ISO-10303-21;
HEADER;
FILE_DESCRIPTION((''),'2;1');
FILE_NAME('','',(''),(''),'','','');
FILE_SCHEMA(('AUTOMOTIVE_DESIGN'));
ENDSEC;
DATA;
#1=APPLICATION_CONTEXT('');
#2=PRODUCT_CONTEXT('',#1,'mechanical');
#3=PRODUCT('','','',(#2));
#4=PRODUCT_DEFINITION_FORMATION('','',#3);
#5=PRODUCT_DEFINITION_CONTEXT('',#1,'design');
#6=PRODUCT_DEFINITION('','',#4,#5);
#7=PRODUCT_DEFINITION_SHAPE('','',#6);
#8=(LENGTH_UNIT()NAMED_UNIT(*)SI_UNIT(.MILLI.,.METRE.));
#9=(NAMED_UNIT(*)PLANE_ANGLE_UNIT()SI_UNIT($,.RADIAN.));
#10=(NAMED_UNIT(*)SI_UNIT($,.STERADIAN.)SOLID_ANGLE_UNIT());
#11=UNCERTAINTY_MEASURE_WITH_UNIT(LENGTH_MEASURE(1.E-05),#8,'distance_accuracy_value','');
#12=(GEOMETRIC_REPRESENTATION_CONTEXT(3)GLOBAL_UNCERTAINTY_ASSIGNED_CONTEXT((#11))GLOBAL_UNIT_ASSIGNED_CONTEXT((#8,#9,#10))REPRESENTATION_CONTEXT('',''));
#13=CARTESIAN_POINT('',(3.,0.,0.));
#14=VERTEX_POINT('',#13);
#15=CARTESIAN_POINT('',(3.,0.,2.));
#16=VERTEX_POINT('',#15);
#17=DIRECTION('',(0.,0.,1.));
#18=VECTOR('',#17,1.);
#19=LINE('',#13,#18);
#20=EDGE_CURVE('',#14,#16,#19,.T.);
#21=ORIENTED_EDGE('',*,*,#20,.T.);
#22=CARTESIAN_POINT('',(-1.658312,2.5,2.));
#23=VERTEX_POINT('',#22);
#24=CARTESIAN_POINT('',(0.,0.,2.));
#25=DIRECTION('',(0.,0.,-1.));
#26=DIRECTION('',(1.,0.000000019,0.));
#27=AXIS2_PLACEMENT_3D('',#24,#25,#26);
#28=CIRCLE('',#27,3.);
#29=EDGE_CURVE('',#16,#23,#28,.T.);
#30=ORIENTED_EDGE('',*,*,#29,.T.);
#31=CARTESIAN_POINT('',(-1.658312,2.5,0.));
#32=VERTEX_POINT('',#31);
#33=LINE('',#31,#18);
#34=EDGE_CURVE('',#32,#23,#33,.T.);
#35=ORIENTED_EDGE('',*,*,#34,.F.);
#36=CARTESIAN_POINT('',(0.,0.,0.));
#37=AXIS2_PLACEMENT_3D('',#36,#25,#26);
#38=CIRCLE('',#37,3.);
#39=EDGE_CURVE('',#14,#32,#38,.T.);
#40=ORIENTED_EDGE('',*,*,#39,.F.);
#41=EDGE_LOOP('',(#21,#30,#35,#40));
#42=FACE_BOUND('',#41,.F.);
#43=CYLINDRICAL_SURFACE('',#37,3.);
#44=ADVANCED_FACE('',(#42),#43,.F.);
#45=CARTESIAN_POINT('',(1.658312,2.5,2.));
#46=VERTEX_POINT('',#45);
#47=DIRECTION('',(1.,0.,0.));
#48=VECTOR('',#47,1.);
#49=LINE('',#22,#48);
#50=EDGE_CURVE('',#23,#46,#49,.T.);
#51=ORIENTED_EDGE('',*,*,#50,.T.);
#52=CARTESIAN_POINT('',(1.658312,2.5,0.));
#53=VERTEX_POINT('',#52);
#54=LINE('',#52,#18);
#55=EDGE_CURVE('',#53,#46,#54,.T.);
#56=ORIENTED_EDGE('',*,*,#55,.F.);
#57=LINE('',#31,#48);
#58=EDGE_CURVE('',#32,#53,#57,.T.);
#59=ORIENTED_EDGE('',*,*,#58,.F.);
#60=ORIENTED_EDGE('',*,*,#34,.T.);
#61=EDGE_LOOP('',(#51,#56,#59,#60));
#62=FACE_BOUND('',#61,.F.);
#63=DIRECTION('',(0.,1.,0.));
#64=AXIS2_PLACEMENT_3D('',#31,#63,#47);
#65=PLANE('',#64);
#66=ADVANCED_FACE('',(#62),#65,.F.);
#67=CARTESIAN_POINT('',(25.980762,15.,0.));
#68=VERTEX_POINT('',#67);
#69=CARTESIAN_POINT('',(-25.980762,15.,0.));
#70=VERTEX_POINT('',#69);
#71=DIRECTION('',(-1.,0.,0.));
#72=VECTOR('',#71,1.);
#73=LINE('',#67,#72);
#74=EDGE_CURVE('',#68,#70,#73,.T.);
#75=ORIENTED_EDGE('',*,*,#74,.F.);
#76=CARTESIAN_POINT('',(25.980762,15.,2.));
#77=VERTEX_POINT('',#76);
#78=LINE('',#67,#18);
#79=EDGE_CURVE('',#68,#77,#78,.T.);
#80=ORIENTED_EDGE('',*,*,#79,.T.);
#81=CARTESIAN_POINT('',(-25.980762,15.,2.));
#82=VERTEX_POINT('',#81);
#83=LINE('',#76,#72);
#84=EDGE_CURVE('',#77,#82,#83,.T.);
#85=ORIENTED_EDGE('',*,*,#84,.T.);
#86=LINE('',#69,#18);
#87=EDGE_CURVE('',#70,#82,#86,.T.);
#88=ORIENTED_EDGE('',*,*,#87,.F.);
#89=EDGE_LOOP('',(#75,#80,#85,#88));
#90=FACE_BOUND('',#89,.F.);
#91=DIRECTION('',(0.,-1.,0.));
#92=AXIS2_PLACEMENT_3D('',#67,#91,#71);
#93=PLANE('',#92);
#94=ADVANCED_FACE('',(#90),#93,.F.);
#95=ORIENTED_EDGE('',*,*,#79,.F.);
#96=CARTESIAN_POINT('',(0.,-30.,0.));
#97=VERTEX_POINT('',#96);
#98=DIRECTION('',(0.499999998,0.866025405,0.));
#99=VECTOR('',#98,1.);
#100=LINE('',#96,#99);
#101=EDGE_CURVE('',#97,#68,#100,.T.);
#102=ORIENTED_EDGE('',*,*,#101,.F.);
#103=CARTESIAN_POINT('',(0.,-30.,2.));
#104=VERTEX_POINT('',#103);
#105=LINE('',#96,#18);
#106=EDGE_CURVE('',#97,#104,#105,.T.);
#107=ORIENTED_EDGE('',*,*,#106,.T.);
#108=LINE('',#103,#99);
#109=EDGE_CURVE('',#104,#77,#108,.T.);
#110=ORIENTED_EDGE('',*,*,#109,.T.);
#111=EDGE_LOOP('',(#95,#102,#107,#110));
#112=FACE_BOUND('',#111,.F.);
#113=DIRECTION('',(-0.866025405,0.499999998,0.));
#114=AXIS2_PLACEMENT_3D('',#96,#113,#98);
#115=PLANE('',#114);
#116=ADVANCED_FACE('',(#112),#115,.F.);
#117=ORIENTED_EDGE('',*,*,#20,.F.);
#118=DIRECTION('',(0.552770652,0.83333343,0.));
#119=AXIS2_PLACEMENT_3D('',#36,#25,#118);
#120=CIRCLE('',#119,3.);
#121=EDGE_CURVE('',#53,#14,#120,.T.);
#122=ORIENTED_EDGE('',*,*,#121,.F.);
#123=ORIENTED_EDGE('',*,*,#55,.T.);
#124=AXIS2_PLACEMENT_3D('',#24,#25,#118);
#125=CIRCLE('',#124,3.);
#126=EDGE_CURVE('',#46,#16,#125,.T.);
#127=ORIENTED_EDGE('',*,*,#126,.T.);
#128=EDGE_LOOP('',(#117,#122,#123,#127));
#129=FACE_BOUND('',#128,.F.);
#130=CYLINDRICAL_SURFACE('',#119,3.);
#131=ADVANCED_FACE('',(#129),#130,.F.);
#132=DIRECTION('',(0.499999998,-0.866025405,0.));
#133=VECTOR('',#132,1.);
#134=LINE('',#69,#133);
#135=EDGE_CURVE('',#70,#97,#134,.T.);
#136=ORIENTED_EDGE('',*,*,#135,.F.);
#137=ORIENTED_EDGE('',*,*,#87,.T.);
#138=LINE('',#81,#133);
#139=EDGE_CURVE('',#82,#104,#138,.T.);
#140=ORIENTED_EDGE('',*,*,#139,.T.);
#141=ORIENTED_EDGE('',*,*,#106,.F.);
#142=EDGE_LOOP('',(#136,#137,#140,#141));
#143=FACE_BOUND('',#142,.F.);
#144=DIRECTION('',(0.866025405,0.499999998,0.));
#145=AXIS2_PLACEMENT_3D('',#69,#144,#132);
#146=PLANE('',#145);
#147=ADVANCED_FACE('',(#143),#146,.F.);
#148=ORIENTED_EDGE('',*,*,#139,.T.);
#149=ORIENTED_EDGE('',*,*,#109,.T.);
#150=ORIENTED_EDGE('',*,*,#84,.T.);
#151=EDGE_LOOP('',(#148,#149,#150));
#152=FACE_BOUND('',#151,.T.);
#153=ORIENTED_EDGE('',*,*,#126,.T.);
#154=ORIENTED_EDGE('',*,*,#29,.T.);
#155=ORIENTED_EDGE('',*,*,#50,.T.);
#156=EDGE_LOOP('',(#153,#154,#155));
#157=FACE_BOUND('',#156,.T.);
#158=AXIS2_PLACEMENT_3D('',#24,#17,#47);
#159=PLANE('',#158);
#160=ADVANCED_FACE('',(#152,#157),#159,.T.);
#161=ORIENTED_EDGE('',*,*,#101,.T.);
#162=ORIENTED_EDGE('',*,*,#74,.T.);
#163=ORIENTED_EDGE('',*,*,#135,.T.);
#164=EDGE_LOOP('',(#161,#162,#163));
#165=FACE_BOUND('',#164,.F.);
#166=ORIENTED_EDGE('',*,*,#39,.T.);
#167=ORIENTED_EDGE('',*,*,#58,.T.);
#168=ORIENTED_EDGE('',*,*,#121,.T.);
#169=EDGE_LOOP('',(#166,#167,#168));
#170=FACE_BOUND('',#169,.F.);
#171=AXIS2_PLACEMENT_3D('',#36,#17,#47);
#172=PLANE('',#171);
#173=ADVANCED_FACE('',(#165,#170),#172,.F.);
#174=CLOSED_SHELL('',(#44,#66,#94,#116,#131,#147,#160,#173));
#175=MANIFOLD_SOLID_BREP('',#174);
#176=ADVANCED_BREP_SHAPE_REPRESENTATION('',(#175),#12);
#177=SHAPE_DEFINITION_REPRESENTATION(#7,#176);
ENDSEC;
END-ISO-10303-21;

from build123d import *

# Parameters (mm, degrees)
F1_DEPTH = 2


with BuildPart() as f1:
    # F0 (on Top) → F1 (new body)
    with BuildSketch(Plane.XY):
        Polygon((25.980762, 15), (-25.980762, 15), (0, -30), align=None)
        with BuildLine():
            ThreePointArc((1.658312, 2.5), (2.643382, 1.418637), (3, 0))
            ThreePointArc((3, 0), (-1.418637, -2.643382), (-1.658312, 2.5))
            ThreePointArc((-1.658312, 2.5), (0, 3), (1.658312, 2.5))
        make_face(mode=Mode.SUBTRACT)
        with BuildLine():
            Line((-1.658312, 2.5), (1.658312, 2.5))
            ThreePointArc((1.658312, 2.5), (0, 3), (-1.658312, 2.5))
        make_face()
    extrude(amount=F1_DEPTH)


solid = f1.part
